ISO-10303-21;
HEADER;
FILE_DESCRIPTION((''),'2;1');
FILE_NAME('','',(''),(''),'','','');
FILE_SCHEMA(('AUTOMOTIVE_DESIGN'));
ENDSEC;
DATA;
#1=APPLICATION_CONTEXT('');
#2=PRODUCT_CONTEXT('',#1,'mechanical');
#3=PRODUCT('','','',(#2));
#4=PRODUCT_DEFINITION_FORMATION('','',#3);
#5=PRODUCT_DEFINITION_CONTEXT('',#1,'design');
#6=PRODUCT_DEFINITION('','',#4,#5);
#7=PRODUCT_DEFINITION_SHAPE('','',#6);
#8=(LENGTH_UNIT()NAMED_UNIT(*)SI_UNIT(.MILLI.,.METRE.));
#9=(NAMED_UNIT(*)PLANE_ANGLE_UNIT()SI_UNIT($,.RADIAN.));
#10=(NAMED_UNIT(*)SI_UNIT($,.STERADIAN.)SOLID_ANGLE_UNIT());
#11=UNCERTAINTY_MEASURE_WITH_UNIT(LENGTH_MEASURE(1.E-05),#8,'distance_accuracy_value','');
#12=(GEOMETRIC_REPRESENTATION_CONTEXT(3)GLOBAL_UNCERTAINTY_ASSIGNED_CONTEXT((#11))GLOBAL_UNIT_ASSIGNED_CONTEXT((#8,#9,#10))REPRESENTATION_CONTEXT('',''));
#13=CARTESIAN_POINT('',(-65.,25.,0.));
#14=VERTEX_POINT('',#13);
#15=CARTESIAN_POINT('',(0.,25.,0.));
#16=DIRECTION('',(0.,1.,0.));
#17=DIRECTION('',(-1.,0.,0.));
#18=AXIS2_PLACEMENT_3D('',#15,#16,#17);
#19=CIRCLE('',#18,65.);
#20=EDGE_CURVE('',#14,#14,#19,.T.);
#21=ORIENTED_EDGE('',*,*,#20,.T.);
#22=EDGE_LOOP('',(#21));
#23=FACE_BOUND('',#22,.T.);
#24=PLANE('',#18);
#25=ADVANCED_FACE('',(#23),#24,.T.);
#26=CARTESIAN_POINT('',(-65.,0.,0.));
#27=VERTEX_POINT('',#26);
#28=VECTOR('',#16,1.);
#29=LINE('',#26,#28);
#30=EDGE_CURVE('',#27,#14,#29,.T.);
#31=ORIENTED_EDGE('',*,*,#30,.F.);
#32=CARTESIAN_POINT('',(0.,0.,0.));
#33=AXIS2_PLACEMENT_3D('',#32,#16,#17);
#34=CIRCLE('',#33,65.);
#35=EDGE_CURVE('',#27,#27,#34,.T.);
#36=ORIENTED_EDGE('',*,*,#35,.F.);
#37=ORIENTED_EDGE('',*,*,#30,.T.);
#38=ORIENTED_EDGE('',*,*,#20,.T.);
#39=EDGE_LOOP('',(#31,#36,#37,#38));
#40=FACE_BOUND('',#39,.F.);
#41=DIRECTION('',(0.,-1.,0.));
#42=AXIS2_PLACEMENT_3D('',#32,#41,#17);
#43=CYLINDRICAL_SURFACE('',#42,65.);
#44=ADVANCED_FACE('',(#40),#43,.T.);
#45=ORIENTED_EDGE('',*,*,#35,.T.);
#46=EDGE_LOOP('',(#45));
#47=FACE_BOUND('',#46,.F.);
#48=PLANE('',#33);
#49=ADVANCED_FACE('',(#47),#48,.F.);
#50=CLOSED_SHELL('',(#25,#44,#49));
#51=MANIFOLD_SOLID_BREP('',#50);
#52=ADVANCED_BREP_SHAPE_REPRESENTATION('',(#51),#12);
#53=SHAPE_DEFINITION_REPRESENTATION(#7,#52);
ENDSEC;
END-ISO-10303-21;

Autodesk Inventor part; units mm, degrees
ref_plane "YZ Plane" through (0, 0, 0) normal (1, 0, 0) x (0, 1, 0)
ref_plane "XZ Plane" through (0, 0, 0) normal (0, 1, 0) x (-1, 0, 0)
ref_plane "XY Plane" through (0, 0, 0) normal (0, 0, 1) x (1, 0, 0)
sketch "スケッチ1" plane through (0, 0, 0) normal (0, 1, 0) x (-1, 0, 0)
  circle A0 centre (0, 0) radius 65
  dimension "d0" = 130
extrude "押し出し1" add sketch "スケッチ1" along normal blind 25
properties part number "tire 130 25"
